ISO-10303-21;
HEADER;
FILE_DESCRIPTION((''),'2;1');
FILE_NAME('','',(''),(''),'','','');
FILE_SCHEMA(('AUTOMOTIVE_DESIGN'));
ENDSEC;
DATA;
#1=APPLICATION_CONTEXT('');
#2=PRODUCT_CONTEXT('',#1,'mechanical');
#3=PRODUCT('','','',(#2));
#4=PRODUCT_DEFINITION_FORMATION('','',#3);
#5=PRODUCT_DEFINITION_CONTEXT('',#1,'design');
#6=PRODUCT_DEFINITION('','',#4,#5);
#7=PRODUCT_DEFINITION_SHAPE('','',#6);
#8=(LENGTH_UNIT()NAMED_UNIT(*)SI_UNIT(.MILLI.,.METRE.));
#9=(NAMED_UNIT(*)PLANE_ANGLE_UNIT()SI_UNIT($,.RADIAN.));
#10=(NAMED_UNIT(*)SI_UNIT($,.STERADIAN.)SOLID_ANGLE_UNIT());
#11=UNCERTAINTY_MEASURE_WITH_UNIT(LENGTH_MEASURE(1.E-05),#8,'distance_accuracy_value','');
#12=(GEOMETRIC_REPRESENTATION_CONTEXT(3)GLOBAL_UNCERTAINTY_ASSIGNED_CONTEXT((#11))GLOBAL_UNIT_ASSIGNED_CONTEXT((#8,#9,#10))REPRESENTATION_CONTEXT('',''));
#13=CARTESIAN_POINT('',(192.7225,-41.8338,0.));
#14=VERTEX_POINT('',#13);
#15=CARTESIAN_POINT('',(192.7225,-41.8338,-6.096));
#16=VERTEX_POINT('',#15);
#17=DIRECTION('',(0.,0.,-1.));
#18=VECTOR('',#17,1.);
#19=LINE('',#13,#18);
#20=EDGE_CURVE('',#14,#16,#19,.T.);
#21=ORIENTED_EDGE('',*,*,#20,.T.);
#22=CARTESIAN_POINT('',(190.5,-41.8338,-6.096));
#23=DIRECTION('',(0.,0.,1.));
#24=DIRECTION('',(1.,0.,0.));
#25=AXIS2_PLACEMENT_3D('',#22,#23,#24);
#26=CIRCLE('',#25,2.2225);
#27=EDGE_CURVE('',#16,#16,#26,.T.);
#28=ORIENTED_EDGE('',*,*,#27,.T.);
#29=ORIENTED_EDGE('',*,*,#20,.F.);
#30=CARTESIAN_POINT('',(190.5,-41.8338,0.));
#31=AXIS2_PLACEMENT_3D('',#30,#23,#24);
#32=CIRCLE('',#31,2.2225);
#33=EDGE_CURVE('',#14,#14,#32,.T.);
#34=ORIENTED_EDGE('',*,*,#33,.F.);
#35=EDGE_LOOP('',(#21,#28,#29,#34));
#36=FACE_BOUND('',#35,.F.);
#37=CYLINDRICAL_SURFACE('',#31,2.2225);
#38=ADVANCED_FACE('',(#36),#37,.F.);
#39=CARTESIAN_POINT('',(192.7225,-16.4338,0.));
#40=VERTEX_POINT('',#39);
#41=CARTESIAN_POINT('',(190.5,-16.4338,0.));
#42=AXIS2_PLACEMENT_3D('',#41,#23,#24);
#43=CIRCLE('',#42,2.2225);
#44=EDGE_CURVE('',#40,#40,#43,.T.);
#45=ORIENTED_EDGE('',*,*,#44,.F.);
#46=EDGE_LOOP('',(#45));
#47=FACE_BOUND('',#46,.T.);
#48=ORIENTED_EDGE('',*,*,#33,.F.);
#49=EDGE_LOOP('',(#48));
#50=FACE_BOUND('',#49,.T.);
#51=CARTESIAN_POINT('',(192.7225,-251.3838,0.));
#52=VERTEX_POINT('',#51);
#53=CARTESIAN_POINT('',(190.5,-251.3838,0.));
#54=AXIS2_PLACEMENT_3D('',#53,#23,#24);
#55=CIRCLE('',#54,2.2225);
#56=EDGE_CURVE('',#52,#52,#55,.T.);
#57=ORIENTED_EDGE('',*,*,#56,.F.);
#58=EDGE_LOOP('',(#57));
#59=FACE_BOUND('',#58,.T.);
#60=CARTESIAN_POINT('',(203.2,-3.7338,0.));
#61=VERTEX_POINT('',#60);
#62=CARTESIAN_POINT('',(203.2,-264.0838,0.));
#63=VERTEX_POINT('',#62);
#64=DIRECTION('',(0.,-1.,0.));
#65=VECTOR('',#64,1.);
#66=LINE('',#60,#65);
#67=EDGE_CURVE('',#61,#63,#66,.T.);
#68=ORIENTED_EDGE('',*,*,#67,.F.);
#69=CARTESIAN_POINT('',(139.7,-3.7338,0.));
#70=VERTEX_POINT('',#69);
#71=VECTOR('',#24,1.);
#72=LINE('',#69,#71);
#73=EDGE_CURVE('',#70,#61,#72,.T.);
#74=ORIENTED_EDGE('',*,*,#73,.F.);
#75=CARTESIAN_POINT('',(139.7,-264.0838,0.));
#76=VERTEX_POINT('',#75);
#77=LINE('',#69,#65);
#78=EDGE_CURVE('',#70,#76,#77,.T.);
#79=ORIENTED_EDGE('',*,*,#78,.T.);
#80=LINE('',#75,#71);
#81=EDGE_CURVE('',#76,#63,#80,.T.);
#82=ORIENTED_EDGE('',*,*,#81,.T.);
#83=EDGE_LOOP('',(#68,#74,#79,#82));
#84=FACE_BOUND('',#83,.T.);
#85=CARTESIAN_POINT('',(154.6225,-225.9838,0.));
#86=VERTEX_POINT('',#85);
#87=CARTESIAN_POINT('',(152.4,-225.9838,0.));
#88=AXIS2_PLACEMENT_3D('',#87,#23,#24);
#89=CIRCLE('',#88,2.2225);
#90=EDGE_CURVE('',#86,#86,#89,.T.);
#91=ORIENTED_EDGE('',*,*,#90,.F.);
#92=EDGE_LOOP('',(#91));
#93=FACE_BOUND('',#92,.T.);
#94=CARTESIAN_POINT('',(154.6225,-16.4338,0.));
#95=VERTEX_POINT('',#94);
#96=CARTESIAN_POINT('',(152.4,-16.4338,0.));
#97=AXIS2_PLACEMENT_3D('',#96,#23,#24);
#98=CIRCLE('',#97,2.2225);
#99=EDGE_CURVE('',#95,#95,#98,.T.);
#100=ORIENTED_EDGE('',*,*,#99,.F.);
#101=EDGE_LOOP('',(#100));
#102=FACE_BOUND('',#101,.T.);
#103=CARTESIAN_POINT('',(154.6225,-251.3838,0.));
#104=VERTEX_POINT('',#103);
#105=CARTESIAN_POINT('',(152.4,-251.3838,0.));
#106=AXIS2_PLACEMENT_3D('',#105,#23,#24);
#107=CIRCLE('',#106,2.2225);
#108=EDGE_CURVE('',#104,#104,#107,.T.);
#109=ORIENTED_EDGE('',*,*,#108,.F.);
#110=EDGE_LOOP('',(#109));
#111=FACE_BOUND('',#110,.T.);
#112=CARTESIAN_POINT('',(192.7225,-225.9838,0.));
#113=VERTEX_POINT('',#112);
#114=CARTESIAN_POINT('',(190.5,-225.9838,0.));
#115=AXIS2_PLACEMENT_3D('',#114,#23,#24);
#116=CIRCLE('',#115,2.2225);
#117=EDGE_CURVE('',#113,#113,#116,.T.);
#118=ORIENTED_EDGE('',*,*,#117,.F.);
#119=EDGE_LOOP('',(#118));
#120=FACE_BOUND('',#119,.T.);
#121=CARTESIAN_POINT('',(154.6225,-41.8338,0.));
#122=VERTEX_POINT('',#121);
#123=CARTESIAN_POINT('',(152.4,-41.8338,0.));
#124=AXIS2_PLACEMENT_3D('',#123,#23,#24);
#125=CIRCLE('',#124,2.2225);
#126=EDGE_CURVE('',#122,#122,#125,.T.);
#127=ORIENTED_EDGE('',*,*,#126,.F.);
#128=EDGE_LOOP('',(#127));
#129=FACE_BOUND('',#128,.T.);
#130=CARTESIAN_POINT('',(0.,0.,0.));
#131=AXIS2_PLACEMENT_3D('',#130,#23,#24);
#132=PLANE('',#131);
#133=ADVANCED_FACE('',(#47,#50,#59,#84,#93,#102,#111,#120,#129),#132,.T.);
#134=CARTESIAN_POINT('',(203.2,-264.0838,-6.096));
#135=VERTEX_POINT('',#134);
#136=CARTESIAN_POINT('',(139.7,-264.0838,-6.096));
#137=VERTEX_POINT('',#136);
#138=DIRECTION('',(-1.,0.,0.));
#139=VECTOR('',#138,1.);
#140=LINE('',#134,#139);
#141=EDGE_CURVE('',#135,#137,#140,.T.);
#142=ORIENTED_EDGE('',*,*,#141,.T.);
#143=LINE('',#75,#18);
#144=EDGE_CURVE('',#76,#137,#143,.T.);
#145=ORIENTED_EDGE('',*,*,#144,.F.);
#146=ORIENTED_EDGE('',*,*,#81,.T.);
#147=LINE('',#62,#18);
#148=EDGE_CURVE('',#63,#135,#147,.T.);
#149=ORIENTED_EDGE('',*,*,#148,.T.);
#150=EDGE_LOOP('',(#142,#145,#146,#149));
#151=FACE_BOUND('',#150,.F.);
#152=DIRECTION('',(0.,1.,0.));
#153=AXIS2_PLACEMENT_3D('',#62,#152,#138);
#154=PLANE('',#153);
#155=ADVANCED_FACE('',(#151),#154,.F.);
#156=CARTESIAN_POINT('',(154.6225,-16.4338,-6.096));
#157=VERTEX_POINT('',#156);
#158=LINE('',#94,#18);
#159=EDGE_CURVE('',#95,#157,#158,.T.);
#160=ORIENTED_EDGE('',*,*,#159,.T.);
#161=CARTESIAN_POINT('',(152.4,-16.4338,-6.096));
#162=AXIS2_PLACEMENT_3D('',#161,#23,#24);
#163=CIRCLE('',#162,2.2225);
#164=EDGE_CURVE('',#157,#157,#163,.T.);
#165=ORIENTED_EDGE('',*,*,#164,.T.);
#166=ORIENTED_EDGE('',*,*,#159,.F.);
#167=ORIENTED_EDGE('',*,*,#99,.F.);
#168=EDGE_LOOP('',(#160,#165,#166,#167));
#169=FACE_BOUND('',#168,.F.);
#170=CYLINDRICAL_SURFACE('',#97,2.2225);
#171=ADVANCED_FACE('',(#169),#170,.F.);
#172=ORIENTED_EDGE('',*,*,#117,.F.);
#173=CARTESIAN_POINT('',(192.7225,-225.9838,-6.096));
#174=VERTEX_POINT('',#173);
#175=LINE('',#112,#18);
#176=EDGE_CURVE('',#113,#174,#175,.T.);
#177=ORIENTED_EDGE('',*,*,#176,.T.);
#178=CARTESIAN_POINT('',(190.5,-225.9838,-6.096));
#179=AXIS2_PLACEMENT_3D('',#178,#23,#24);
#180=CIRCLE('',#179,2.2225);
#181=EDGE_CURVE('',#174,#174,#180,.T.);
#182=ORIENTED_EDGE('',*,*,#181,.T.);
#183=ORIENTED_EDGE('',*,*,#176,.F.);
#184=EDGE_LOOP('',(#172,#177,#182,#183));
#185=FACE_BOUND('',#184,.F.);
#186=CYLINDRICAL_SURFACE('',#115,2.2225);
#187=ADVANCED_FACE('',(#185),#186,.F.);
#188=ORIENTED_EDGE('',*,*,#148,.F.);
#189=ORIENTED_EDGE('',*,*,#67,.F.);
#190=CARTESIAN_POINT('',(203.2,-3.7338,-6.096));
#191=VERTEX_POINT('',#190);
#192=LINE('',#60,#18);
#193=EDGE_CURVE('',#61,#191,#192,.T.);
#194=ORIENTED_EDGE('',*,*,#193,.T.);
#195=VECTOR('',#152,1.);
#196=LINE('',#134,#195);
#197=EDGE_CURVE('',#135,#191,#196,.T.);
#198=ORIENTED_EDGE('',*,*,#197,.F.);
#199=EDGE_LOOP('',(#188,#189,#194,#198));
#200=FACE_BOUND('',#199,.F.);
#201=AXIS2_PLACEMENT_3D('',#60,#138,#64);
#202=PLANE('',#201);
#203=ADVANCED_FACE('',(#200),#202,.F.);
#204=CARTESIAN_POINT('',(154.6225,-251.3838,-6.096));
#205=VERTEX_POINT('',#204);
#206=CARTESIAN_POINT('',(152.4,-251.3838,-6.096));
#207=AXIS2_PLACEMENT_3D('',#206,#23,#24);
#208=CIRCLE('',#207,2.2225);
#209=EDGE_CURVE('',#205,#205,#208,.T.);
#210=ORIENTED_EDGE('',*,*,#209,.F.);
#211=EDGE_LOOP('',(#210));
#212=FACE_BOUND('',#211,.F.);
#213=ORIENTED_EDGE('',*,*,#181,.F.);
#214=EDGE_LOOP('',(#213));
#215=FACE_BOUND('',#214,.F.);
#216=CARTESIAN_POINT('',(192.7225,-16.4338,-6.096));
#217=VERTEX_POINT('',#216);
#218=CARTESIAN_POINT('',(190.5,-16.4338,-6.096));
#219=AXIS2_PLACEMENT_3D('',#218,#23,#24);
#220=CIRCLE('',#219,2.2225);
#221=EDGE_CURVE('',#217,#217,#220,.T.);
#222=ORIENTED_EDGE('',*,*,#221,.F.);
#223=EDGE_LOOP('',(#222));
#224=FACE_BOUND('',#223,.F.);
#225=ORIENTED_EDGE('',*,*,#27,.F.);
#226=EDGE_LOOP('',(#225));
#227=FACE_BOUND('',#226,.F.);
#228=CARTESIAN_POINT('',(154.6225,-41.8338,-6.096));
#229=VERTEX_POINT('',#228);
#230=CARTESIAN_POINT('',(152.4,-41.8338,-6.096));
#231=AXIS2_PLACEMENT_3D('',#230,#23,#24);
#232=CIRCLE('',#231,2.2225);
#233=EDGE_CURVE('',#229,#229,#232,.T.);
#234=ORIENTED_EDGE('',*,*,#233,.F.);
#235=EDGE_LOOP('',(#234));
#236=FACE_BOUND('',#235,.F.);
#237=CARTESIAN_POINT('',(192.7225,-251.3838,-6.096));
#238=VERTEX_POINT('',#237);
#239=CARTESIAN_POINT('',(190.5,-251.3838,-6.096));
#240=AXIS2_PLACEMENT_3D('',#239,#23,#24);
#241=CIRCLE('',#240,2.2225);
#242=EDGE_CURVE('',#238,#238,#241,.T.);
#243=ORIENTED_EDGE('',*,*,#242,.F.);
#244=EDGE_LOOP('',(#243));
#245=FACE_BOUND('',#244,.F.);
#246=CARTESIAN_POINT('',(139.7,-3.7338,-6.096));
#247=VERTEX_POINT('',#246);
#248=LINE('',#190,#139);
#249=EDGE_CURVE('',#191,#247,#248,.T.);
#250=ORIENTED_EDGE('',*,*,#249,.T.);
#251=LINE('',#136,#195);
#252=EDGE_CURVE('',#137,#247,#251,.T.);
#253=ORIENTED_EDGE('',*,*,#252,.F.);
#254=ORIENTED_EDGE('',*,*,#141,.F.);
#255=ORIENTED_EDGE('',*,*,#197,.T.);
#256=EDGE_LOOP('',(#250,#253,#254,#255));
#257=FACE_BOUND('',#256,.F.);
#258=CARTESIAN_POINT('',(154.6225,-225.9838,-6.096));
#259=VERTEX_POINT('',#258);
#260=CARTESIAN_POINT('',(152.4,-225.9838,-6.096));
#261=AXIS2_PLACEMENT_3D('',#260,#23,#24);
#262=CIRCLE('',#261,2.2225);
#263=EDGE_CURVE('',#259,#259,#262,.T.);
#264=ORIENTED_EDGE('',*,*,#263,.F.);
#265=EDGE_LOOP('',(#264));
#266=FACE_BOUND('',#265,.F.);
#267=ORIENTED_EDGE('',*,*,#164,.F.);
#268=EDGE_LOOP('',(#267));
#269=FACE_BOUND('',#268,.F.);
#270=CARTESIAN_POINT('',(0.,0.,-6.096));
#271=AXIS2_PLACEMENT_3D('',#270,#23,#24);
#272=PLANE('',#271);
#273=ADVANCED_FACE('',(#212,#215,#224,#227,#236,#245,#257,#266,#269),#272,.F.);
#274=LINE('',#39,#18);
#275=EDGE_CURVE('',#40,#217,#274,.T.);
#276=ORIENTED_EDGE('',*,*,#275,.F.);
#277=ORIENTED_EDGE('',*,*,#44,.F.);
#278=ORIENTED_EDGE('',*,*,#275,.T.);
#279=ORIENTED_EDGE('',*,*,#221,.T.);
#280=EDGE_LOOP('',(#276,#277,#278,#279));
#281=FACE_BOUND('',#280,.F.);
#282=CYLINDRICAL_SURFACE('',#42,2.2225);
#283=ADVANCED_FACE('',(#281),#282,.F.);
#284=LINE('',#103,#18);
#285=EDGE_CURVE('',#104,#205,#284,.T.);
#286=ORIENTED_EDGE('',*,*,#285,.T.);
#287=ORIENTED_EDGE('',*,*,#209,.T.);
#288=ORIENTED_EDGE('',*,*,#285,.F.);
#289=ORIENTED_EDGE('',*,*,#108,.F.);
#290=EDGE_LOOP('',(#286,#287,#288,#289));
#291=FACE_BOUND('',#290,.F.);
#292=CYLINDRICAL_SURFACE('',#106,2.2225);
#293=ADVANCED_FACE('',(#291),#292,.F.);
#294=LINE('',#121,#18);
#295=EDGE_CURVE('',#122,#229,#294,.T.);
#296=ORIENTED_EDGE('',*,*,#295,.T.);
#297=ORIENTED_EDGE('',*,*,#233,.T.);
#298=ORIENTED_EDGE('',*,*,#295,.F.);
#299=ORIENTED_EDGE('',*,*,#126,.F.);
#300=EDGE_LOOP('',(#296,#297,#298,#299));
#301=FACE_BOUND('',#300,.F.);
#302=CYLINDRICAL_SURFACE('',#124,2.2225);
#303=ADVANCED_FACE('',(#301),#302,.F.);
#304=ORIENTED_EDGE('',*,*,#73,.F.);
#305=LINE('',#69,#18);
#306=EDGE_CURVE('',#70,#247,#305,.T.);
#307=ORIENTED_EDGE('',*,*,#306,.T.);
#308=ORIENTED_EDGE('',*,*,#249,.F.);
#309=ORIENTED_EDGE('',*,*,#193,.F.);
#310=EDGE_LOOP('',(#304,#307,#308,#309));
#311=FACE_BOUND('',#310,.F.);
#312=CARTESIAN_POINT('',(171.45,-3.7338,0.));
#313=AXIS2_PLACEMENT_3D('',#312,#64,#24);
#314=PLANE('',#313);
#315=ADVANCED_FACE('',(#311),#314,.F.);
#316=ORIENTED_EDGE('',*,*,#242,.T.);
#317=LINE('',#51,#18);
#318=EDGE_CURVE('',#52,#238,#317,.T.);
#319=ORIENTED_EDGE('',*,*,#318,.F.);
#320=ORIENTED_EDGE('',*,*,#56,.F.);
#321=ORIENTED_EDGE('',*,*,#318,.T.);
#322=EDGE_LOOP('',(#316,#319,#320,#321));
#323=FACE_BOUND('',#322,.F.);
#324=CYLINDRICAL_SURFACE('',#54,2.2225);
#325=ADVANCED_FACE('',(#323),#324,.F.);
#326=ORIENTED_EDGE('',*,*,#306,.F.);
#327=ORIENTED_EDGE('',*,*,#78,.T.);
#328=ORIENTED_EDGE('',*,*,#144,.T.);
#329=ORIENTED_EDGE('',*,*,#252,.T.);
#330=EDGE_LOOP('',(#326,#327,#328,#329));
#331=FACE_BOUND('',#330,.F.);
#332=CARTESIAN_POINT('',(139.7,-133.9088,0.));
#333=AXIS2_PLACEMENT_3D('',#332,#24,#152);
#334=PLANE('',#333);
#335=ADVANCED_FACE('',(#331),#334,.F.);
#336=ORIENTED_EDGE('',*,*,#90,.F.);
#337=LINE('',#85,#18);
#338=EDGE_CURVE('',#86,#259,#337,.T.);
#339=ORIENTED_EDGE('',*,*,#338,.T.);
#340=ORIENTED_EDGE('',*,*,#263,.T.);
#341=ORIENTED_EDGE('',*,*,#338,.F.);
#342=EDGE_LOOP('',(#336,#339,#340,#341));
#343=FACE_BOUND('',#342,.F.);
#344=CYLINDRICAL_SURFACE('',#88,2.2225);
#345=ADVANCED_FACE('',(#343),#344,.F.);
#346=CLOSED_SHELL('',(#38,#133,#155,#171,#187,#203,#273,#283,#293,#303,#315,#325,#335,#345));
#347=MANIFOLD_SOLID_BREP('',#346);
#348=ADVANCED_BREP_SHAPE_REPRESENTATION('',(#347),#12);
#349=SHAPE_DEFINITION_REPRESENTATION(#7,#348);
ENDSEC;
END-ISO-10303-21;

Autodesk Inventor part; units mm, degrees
ref_plane "YZ Plane" through (0, 0, 0) normal (1, 0, 0) x (0, 1, 0)
ref_plane "XZ Plane" through (0, 0, 0) normal (0, 1, 0) x (-1, 0, 0)
ref_plane "XY Plane" through (0, 0, 0) normal (0, 0, 1) x (1, 0, 0)
ref_plane "Work Plane1" through (0, 0, 0) normal (0, 0, 1) x (1, 0, 0)
sketch "Sketch1" plane through (0, 0, 0) normal (0, 0, 1) x (1, 0, 0)
  line L0 (154.6225, 0) -> (150.1775, 0) projected
  line L1 (192.7225, 0) -> (188.2775, 0) projected
  line L2 (152.4, 0) -> (190.5, 0)
  line L3 (171.45, 0) -> (171.45, -267.8176)
  line L4 (139.7, -3.7338) -> (203.2, -3.7338)
  line L5 (203.2, -3.7338) -> (203.2, -264.0838)
  line L6 (203.2, -264.0838) -> (139.7, -264.0838)
  line L7 (139.7, -264.0838) -> (139.7, -3.7338)
  line L8 (139.7, -3.7338) -> (203.2, -264.0838) construction
  line L9 (203.2, -3.7338) -> (139.7, -264.0838) construction
  line L10 (139.7, -264.0838) -> (139.7, -251.3838)
  circle A0 centre (152.4, -251.3838) radius 2.2225
  line L11 (203.2, -264.0838) -> (203.2, -251.3838)
  circle A1 centre (190.5, -251.3838) radius 2.2225
  circle A2 centre (152.4, -225.9838) radius 2.2225
  circle A3 centre (190.5, -225.9838) radius 2.2225
  line L12 (139.7, -133.9088) -> (152.4, -133.9088)
  line L13 (171.45, -267.8176) -> (171.45, 0)
  line L14 (139.7, -264.0838) -> (203.2, -3.7338) construction
  line L15 (203.2, -264.0838) -> (139.7, -3.7338) construction
  circle A4 centre (152.4, -16.4338) radius 2.2225
  circle A5 centre (190.5, -16.4338) radius 2.2225
  circle A6 centre (152.4, -41.8338) radius 2.2225
  circle A7 centre (190.5, -41.8338) radius 2.2225
  point P0 (0, 0)
  point P1 (171.45, -133.9088)
  dimension "d0" = 267.8176
  dimension "d1" = 63.5
  dimension "d2" = 260.35
  dimension "d3" = 12.7
  dimension "d5" = 4.445
  dimension "d7" = 4.445
  dimension "d10" = 25.4
extrude "Extrusion1" add sketch "Sketch1" against normal blind 6.096
properties part number "Back Plate"
